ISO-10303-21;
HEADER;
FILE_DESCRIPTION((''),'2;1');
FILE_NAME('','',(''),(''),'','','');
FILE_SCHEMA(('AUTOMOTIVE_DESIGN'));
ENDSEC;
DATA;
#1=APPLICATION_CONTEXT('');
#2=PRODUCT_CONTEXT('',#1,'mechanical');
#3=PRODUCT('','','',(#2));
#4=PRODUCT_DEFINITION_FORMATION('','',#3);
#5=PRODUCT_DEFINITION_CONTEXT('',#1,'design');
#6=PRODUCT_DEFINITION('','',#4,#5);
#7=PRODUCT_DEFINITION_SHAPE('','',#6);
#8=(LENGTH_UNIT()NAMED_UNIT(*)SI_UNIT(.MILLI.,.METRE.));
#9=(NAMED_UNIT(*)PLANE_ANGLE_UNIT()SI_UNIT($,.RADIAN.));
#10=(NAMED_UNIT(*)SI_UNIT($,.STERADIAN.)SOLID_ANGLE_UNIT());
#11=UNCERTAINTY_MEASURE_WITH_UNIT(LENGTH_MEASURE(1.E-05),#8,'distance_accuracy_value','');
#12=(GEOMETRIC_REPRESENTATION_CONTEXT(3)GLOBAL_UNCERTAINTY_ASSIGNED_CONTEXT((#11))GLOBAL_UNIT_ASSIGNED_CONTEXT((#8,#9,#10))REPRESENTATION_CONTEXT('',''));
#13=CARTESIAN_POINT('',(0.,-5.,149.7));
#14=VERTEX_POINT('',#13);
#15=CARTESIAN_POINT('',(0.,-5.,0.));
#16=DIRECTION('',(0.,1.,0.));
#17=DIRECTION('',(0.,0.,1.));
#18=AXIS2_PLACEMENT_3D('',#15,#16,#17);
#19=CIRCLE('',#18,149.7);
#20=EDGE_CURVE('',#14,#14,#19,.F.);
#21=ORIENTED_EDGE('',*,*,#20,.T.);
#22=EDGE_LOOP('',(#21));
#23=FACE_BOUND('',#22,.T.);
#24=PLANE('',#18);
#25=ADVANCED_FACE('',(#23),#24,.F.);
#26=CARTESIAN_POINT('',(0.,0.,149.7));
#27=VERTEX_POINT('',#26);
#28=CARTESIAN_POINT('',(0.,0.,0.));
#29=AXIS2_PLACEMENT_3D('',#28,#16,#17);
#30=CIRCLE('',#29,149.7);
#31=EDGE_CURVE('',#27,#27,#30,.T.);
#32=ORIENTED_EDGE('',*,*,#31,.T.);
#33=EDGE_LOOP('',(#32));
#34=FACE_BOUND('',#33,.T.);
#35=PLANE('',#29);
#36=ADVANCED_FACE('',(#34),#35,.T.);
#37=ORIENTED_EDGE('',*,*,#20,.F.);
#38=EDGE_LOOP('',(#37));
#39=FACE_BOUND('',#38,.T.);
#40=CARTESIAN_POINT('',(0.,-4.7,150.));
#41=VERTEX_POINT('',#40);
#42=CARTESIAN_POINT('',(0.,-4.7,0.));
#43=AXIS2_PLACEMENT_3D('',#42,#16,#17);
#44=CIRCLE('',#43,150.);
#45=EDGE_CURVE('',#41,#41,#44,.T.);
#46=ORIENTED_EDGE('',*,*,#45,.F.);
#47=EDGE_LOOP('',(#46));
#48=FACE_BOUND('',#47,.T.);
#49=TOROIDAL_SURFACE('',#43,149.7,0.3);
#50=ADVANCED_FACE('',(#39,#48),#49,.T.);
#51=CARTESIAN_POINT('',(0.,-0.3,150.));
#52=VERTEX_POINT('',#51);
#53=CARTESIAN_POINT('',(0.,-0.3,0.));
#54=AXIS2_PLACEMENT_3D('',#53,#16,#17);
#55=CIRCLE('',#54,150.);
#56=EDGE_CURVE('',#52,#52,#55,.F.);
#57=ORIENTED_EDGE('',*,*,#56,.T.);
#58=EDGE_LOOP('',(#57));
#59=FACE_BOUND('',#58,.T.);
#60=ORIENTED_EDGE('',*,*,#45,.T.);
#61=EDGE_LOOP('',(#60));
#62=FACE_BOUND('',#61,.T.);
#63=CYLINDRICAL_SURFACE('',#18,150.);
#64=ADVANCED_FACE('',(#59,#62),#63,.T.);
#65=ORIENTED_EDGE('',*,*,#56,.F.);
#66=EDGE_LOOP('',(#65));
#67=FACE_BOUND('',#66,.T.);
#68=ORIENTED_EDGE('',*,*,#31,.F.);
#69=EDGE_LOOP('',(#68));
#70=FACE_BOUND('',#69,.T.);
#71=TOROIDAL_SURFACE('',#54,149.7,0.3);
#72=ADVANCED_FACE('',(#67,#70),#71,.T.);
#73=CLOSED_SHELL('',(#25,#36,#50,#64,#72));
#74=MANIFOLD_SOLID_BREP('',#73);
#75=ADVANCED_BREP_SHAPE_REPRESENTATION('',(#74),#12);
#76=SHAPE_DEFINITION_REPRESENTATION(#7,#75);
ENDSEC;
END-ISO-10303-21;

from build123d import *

# Parameters (mm, degrees)
SKETCH1_R           = 150
BOSS_EXTRUDE1_DEPTH = 5
FILLET1_R           = 0.3


with BuildPart() as part:
    # Sketch1 → Boss-Extrude1 (new body)
    with BuildSketch(Plane(origin=(0, 0, 0), x_dir=(1, 0, 0), z_dir=(0, 1, 0))):
        Circle(SKETCH1_R)
    extrude(amount=-BOSS_EXTRUDE1_DEPTH)

    # Fillet1
    fillet1_edges = [part.edges().sort_by_distance(p)[0] for p in [
        (-150, 0, 0),
        (-150, -5, 0),
    ]]
    fillet(fillet1_edges, radius=FILLET1_R)


solid = part.part
